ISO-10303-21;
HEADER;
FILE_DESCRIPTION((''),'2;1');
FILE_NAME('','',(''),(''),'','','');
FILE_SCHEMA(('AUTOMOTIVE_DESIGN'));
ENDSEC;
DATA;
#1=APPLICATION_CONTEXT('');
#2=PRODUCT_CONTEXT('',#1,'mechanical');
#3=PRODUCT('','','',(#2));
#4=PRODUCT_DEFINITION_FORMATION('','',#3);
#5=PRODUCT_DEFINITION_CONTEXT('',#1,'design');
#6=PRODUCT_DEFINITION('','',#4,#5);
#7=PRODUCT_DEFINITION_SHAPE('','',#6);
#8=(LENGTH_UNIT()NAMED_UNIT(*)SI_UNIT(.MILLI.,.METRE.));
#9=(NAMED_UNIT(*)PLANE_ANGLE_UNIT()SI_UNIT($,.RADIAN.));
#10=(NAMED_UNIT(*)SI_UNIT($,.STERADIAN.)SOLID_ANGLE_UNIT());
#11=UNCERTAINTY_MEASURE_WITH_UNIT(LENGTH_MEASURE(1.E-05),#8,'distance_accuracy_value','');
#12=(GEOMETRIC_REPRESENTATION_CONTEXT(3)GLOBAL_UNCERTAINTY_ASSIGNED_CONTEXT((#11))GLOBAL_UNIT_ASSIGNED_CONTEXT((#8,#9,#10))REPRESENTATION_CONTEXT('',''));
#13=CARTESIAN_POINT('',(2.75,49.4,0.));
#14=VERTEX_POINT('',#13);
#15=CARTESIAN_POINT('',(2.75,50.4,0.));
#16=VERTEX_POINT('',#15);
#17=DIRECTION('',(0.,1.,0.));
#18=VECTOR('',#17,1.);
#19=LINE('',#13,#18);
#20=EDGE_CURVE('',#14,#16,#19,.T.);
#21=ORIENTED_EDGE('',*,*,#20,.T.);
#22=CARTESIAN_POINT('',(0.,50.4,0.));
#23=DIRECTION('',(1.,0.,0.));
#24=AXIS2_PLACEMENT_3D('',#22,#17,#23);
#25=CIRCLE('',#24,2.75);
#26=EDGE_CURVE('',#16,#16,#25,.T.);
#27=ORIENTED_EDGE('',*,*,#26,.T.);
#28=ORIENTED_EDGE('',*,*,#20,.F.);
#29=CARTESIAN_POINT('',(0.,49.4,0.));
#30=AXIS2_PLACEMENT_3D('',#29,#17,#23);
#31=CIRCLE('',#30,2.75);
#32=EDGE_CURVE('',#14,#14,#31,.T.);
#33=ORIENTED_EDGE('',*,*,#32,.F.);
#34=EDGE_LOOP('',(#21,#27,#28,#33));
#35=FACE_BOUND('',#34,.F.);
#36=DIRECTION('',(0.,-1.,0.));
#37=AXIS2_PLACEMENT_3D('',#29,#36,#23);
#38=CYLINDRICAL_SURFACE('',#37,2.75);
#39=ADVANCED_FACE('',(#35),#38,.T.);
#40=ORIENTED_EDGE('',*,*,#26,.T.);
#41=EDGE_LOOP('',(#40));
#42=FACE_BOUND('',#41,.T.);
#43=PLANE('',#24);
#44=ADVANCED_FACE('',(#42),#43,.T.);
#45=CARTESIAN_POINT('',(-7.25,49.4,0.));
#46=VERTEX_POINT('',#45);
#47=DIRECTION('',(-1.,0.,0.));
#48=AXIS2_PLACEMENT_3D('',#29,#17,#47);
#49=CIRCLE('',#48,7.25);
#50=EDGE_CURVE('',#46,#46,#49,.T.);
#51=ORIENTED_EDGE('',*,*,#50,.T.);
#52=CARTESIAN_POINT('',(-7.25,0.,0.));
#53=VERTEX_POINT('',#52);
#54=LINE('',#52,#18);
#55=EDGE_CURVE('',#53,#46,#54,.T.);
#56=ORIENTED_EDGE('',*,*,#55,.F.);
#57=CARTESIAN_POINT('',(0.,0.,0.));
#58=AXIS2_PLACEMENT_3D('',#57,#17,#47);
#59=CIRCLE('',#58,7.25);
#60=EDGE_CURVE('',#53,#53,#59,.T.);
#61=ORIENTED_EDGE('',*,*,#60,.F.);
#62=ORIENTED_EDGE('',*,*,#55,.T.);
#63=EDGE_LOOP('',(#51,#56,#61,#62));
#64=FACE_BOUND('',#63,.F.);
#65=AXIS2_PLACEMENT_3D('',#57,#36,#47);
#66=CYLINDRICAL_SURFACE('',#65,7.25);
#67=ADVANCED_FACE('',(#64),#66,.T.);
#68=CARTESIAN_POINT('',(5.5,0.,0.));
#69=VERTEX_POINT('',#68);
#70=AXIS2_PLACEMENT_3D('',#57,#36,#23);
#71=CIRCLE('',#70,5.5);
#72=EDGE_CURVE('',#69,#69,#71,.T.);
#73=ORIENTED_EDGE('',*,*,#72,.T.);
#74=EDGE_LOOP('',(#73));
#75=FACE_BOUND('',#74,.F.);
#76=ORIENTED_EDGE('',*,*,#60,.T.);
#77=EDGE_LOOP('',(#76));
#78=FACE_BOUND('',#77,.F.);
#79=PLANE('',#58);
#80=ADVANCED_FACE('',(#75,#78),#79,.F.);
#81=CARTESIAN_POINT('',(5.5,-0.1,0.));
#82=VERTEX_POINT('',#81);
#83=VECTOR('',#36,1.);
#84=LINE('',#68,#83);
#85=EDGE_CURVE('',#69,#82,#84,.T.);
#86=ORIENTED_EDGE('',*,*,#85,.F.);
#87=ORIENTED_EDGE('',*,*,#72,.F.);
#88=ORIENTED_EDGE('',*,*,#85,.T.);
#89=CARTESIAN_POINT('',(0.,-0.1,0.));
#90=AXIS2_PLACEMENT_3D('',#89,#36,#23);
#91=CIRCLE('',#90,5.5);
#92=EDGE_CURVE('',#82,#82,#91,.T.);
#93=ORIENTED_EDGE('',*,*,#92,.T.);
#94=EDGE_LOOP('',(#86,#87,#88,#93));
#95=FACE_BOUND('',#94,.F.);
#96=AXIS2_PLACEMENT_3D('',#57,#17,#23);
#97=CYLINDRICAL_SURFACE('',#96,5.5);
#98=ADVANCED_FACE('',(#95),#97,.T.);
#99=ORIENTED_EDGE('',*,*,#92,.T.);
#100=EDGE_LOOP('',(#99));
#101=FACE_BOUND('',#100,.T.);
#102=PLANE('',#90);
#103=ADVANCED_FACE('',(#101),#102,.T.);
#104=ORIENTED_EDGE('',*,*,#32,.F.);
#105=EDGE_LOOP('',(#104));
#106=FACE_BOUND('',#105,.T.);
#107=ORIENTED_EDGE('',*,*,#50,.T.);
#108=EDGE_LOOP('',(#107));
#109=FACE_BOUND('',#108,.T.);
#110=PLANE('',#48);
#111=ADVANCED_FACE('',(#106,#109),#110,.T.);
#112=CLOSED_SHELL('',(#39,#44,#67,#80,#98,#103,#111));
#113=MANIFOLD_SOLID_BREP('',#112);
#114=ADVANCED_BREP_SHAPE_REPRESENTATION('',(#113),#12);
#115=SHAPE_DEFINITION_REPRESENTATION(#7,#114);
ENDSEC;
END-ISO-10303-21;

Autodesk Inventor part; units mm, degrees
ref_plane "YZ Plane" through (0, 0, 0) normal (1, 0, 0) x (0, 1, 0)
ref_plane "XZ Plane" through (0, 0, 0) normal (0, 1, 0) x (-1, 0, 0)
ref_plane "XY Plane" through (0, 0, 0) normal (0, 0, 1) x (1, 0, 0)
sketch "Sketch1" plane through (0, 0, 0) normal (0, 1, 0) x (-1, 0, 0)
  circle A0 centre (0, 0) radius 7.25
  dimension "AABatteryDiameter" = 14.5
extrude "Extrusion1" add sketch "Sketch1" along normal blind 49.4
sketch "Sketch2" plane through (0, 49.4, 0) normal (0, 1, 0) x (1, 0, 0)
  circle A0 centre (0, 0) radius 7.25 projected
  circle A1 centre (0, 0) radius 2.75
  dimension "d3" = 5.5
extrude "Extrusion2" add sketch "Sketch2" along normal blind 1 contours A1
sketch "Sketch3" plane through (0, 0, 0) normal (0, -1, 0) x (1, 0, 0)
  circle A0 centre (0, 0) radius 7.25 projected
  circle A1 centre (0, 0) radius 5.5
  dimension "d6" = 11
extrude "Extrusion3" add sketch "Sketch3" along normal blind 0.1 contours A1
equation "\"AABatteryLength\" = d4 + d1 + d7"
equation "\"d4\" = 1"
equation "\"d1\" = 49.4"
equation "\"d7\" = 0.1"
properties part number "AABattery"
